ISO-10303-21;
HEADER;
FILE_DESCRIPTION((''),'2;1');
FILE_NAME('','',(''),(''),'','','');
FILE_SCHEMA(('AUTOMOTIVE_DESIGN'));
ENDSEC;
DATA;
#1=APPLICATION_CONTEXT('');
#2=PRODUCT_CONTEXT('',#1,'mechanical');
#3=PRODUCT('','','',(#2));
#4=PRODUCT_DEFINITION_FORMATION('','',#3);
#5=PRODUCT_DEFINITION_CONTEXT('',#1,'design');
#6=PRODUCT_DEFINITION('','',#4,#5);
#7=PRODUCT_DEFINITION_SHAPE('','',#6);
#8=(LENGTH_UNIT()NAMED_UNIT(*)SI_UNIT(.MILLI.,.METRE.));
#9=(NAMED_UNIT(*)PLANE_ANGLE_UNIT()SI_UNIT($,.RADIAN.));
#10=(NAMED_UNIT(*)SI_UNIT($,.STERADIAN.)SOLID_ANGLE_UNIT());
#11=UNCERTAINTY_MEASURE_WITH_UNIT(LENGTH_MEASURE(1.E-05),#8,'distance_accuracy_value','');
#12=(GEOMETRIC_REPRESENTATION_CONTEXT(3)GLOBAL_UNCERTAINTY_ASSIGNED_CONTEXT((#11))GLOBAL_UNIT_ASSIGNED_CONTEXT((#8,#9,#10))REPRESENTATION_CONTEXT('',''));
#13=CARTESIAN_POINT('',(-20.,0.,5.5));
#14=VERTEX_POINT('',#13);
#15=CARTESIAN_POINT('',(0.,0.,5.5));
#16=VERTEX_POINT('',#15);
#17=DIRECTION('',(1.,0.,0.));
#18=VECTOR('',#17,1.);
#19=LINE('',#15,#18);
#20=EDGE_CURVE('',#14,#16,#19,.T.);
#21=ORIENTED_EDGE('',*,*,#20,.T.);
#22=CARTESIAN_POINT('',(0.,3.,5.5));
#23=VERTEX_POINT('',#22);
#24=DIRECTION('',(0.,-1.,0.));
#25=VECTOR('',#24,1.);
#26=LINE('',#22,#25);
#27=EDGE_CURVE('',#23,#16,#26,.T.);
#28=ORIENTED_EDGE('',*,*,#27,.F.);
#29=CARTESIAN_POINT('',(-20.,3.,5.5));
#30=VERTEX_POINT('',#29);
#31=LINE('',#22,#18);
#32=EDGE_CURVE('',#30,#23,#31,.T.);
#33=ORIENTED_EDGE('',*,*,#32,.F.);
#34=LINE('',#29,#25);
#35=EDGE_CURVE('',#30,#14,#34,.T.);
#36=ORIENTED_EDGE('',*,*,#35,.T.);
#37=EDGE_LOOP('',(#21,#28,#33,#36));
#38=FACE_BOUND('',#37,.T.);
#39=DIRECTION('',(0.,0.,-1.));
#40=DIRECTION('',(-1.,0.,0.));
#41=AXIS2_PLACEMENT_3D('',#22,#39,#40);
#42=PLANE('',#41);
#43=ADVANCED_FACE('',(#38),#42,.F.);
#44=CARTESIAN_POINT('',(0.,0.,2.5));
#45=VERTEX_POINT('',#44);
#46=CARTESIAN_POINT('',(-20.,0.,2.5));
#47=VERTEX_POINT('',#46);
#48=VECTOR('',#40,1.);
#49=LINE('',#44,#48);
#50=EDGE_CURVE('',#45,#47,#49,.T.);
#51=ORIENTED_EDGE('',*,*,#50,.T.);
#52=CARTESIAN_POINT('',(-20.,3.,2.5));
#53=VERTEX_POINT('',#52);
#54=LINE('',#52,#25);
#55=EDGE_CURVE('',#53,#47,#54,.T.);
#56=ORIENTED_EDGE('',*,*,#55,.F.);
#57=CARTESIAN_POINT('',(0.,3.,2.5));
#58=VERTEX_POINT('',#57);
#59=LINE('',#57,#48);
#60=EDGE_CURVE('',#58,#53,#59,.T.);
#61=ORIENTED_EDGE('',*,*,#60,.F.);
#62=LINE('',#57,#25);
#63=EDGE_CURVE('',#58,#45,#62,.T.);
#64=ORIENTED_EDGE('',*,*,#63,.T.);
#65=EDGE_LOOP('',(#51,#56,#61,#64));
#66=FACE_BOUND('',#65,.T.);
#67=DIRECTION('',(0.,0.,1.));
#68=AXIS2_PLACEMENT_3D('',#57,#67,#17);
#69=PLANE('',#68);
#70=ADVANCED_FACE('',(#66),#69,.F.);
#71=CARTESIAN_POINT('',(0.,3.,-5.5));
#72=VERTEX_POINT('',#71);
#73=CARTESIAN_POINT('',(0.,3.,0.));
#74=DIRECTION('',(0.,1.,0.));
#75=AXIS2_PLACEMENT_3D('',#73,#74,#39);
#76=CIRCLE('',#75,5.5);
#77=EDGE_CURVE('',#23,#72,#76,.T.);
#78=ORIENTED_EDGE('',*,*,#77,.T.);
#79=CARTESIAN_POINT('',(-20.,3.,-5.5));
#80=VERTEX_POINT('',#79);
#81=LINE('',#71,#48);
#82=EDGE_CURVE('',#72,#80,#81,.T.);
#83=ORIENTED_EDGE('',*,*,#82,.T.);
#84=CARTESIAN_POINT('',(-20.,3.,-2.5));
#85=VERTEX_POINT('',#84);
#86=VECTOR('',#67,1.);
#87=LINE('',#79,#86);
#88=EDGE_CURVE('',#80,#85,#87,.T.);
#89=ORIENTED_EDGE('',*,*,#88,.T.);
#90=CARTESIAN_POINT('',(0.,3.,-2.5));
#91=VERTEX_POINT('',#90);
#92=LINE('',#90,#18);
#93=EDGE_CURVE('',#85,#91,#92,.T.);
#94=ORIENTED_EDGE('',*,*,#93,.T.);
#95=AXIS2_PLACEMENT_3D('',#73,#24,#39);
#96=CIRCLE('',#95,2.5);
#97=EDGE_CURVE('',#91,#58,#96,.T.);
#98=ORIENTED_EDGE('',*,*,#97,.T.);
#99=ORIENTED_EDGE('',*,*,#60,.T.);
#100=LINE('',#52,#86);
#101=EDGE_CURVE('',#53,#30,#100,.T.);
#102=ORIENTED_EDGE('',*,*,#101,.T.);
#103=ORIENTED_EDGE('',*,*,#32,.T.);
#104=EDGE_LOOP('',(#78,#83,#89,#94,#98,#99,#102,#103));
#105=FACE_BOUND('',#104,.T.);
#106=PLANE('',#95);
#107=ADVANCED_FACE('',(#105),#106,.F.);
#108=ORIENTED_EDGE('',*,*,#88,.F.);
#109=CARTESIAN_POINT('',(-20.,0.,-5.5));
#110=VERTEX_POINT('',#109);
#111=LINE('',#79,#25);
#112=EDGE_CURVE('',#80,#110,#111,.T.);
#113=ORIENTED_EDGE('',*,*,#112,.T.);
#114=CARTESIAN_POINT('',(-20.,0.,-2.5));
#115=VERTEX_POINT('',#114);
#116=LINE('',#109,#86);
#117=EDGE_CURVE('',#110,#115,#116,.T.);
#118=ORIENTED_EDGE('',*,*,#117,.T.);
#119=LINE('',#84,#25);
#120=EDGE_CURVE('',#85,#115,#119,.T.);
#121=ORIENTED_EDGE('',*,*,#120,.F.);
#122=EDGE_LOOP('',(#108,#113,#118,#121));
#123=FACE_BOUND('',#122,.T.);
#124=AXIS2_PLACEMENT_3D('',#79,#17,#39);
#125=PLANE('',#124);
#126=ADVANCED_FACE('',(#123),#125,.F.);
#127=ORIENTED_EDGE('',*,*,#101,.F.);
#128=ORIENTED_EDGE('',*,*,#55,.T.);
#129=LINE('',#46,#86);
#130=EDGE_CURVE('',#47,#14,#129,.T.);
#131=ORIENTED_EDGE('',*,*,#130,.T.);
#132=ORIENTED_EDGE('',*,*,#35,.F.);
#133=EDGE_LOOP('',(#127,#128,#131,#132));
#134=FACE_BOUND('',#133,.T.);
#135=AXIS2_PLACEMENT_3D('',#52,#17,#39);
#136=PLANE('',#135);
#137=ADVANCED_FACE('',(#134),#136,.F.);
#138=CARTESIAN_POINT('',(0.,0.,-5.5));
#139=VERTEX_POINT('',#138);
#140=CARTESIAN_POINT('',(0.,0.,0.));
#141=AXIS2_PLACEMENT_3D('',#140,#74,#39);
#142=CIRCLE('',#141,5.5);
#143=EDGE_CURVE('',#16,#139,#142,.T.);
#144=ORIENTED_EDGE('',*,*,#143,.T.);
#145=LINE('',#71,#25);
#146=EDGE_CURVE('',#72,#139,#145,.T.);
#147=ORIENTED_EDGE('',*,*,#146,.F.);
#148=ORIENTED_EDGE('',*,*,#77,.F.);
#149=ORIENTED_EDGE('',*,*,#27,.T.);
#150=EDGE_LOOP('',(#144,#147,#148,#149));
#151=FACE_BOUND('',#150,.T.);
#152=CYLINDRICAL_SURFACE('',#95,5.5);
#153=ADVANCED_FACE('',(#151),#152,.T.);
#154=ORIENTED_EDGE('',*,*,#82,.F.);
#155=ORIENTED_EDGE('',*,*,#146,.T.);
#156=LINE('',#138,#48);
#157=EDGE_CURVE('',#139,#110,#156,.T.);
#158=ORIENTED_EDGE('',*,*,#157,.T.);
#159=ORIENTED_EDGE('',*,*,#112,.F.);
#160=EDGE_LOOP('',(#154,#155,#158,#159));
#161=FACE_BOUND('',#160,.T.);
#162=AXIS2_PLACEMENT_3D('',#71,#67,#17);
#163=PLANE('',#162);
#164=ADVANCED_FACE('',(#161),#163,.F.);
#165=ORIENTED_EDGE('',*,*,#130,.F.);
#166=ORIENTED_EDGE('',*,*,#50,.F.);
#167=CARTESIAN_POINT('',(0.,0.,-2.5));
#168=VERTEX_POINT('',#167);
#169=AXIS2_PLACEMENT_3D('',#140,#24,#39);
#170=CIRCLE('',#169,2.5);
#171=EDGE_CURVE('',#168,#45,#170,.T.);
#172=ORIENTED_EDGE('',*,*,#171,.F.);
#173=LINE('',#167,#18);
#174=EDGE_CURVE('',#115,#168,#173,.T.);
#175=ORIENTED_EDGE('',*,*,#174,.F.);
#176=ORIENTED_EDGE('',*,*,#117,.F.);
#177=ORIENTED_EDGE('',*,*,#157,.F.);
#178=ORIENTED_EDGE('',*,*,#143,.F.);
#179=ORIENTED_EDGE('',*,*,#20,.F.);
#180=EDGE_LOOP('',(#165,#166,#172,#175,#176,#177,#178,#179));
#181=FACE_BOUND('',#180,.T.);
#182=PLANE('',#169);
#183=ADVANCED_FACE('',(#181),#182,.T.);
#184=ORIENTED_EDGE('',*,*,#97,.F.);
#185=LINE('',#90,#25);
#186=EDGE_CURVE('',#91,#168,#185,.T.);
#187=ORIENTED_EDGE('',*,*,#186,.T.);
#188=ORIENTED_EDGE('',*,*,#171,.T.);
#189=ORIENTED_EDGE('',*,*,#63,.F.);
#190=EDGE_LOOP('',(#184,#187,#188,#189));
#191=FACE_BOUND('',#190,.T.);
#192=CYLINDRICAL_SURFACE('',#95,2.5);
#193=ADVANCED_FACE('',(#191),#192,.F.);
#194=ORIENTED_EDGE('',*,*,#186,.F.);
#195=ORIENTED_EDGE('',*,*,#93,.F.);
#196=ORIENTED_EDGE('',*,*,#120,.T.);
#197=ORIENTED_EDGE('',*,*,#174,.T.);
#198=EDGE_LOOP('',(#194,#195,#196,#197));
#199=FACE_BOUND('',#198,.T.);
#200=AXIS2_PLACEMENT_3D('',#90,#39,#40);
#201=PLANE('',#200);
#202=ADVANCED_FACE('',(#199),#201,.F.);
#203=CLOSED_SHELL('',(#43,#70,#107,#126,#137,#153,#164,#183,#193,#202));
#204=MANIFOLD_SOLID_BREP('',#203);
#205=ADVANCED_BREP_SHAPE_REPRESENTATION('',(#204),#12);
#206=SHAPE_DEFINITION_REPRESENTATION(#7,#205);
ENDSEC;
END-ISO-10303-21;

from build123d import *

# Parameters (mm, degrees)
EXTRUDE_1_DEPTH = 3


with BuildPart() as part:
    # 草图1 → 凸台-拉伸1 (new body)
    with BuildSketch(Plane(origin=(0, 0, 0), x_dir=(1, 0, 0), z_dir=(0, 1, 0))):
        with BuildLine():
            Line((0, 2.5), (-20, 2.5))
            Line((-20, 2.5), (-20, 5.5))
            Line((-20, 5.5), (0, 5.5))
            ThreePointArc((0, 5.5), (5.5, 0), (0, -5.5))
            Line((0, -5.5), (-20, -5.5))
            Line((-20, -5.5), (-20, -2.5))
            Line((-20, -2.5), (0, -2.5))
            ThreePointArc((0, -2.5), (2.5, 0), (0, 2.5))
        make_face()
    extrude(amount=EXTRUDE_1_DEPTH)


solid = part.part
